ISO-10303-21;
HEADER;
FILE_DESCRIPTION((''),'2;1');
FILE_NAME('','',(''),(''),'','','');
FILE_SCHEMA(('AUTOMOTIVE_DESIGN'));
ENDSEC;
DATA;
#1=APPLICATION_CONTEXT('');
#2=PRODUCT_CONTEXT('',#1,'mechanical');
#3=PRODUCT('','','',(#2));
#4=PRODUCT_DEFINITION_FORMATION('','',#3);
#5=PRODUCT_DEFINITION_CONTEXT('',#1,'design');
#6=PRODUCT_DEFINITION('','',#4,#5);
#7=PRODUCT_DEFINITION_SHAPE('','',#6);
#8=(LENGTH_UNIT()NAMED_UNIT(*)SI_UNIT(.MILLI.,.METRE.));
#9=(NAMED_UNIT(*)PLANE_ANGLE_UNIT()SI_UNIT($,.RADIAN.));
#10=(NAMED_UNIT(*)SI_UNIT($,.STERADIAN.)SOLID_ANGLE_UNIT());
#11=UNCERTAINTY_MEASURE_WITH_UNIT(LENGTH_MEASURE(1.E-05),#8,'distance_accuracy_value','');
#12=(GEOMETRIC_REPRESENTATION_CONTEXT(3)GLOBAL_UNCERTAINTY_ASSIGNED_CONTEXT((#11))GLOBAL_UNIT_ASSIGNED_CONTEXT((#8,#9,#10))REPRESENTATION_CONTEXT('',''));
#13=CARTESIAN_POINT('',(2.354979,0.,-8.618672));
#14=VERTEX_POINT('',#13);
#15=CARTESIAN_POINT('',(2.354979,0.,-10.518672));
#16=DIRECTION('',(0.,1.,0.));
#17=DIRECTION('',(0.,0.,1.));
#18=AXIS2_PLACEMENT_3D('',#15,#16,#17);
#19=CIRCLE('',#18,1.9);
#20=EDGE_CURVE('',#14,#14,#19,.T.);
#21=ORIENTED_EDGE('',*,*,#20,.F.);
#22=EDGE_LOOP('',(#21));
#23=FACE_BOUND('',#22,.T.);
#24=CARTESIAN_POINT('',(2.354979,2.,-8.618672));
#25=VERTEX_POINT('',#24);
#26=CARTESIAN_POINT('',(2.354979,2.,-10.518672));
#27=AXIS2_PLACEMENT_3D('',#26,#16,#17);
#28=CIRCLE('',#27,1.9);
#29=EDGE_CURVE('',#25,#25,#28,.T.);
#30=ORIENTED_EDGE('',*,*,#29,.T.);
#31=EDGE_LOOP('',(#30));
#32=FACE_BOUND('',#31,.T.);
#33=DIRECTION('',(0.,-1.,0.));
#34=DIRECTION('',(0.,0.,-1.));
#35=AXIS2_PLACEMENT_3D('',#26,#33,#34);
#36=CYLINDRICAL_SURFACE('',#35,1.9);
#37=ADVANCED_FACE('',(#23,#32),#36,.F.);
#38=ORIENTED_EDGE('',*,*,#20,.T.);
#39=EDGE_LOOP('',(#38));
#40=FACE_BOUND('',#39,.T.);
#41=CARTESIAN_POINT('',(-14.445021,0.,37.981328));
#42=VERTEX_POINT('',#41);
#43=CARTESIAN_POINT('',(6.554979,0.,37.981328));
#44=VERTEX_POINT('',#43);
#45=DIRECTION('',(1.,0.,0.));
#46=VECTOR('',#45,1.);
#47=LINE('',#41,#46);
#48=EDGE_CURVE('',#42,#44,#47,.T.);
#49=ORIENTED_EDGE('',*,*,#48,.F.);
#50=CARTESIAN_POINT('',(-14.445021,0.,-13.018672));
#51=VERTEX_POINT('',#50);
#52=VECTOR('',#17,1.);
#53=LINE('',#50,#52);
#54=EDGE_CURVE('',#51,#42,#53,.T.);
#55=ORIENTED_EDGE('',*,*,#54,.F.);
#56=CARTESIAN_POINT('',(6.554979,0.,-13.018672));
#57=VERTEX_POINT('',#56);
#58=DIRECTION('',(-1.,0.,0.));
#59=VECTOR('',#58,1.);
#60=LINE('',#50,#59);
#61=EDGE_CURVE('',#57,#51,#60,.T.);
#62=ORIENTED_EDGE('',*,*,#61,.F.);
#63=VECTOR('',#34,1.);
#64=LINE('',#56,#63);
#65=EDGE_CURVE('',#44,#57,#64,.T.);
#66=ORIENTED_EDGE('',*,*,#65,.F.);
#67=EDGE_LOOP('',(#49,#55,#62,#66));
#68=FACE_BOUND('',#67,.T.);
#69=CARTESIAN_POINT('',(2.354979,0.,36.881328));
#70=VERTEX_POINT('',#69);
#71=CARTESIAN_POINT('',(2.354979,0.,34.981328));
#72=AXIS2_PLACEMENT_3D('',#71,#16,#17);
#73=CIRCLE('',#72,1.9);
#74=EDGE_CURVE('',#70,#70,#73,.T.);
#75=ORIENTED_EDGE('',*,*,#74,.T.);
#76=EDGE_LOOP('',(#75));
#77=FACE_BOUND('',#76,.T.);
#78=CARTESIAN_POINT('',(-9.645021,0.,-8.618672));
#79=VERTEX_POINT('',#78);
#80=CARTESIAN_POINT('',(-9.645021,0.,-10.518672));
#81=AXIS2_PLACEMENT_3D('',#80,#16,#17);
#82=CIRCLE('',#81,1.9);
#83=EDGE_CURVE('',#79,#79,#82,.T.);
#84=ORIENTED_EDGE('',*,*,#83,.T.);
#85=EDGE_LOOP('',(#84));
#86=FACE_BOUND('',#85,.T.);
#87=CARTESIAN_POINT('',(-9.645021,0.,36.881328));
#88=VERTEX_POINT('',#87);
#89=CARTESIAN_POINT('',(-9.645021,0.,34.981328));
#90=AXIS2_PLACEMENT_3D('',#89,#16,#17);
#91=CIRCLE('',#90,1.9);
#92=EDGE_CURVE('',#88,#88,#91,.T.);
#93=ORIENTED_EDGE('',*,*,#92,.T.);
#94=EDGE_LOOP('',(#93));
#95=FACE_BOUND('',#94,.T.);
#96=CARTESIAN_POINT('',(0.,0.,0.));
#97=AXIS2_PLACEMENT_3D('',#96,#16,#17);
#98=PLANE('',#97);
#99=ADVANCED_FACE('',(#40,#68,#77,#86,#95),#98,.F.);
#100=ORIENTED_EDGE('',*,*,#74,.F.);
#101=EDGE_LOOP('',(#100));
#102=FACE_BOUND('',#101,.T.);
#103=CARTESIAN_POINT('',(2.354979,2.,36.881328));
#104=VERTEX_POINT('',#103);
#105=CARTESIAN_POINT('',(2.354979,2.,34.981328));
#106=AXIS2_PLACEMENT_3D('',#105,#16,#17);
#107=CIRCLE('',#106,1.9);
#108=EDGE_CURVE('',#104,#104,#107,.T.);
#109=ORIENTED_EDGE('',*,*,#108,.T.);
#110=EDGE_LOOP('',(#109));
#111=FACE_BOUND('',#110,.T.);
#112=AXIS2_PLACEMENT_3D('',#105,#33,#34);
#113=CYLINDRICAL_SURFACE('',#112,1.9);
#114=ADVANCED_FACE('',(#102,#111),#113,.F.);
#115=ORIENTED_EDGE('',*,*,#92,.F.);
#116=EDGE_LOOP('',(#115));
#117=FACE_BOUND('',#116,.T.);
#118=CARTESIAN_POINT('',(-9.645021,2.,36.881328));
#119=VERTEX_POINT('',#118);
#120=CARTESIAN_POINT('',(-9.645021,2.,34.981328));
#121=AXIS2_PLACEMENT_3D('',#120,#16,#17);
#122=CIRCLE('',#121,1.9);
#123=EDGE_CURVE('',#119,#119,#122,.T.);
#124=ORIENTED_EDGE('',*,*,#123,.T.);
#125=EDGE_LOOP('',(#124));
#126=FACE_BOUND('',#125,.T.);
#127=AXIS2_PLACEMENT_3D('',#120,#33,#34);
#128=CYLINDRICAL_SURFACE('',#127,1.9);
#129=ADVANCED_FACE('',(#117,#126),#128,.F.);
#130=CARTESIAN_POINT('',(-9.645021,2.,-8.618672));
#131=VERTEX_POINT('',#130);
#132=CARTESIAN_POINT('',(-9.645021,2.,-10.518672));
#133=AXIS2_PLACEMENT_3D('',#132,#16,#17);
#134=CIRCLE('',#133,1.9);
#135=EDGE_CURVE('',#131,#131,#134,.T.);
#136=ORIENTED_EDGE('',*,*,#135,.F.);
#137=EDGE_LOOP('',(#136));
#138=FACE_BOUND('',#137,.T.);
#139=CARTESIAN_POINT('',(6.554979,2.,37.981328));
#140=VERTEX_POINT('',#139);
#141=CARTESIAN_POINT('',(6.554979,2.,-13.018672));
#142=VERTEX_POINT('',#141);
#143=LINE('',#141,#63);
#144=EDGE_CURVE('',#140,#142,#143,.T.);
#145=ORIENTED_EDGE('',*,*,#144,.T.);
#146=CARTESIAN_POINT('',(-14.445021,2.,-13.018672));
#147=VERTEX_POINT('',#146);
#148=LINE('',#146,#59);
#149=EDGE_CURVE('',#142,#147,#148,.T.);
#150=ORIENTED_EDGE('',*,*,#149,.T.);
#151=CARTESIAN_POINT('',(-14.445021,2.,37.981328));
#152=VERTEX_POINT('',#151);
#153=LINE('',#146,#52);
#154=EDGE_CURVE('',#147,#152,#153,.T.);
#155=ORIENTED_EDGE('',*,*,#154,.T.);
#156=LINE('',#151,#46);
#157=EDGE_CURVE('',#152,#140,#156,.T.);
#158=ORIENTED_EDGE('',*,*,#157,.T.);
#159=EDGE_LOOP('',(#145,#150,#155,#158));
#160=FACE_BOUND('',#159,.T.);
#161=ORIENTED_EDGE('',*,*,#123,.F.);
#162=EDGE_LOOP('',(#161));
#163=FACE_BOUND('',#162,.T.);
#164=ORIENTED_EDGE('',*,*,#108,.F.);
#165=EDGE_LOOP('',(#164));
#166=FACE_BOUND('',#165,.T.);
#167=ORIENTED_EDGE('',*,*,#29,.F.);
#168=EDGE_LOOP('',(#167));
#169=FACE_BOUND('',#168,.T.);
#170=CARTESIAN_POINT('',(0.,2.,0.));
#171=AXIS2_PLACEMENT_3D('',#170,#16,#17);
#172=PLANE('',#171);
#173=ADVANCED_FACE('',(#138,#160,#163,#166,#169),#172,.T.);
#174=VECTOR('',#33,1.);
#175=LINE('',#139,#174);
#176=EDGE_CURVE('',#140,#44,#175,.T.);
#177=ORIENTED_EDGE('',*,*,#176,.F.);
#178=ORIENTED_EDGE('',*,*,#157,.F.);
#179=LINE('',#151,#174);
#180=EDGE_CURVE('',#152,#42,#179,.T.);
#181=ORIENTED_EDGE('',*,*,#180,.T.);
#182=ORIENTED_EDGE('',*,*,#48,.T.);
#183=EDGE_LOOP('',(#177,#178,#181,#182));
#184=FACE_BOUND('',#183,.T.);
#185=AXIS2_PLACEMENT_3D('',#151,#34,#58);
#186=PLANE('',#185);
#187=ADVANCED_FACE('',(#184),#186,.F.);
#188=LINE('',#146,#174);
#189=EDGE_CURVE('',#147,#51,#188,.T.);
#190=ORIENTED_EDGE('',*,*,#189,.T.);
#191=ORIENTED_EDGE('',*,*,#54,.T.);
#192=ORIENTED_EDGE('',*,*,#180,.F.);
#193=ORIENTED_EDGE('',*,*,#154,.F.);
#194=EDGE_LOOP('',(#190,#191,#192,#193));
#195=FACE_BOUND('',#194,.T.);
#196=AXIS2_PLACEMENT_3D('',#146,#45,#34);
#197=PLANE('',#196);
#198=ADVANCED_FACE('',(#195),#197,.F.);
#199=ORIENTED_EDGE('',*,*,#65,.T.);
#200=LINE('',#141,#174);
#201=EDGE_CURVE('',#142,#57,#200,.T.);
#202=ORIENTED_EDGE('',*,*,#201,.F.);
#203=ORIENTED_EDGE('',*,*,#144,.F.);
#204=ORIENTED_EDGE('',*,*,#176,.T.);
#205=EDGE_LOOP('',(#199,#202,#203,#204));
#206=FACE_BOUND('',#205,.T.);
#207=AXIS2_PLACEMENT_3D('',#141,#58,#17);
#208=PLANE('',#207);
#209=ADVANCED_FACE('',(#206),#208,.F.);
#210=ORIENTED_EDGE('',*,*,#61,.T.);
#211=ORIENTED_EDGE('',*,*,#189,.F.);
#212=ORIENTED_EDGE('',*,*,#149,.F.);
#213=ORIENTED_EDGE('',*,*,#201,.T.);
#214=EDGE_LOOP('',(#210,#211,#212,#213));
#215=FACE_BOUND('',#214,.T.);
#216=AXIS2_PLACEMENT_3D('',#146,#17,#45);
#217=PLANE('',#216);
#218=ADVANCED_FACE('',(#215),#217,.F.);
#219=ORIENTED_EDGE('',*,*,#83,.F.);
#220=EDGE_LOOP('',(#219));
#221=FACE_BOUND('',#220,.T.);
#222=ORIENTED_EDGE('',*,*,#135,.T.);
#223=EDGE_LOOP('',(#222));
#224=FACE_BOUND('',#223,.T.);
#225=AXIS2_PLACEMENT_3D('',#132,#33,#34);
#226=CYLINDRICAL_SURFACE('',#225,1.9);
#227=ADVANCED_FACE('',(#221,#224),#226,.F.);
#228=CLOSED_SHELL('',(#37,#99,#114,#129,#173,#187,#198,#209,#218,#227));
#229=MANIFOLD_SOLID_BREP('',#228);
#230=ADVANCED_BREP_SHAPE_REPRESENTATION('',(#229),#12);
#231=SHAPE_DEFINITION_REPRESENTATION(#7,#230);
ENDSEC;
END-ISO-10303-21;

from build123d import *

# Parameters (mm, degrees)
SKETCH1_W           = 21
SKETCH1_H           = 51
SKETCH1_R           = 1.9
BOSS_EXTRUDE1_DEPTH = 2


with BuildPart() as part:
    # Sketch1 → Boss-Extrude1 (new body)
    with BuildSketch(Plane(origin=(0, 0, 0), x_dir=(1, 0, 0), z_dir=(0, 1, 0))):
        with Locations((-3.945020747, -12.481327801)):
            Rectangle(SKETCH1_W, SKETCH1_H)
        with Locations((-9.645020747, 10.518672199)):
            Circle(SKETCH1_R, mode=Mode.SUBTRACT)
        with Locations((2.354979253, 10.518672199)):
            Circle(SKETCH1_R, mode=Mode.SUBTRACT)
        with Locations((2.354979253, -34.981327801)):
            Circle(SKETCH1_R, mode=Mode.SUBTRACT)
        with Locations((-9.645020747, -34.981327801)):
            Circle(SKETCH1_R, mode=Mode.SUBTRACT)
    extrude(amount=BOSS_EXTRUDE1_DEPTH)


solid = part.part
